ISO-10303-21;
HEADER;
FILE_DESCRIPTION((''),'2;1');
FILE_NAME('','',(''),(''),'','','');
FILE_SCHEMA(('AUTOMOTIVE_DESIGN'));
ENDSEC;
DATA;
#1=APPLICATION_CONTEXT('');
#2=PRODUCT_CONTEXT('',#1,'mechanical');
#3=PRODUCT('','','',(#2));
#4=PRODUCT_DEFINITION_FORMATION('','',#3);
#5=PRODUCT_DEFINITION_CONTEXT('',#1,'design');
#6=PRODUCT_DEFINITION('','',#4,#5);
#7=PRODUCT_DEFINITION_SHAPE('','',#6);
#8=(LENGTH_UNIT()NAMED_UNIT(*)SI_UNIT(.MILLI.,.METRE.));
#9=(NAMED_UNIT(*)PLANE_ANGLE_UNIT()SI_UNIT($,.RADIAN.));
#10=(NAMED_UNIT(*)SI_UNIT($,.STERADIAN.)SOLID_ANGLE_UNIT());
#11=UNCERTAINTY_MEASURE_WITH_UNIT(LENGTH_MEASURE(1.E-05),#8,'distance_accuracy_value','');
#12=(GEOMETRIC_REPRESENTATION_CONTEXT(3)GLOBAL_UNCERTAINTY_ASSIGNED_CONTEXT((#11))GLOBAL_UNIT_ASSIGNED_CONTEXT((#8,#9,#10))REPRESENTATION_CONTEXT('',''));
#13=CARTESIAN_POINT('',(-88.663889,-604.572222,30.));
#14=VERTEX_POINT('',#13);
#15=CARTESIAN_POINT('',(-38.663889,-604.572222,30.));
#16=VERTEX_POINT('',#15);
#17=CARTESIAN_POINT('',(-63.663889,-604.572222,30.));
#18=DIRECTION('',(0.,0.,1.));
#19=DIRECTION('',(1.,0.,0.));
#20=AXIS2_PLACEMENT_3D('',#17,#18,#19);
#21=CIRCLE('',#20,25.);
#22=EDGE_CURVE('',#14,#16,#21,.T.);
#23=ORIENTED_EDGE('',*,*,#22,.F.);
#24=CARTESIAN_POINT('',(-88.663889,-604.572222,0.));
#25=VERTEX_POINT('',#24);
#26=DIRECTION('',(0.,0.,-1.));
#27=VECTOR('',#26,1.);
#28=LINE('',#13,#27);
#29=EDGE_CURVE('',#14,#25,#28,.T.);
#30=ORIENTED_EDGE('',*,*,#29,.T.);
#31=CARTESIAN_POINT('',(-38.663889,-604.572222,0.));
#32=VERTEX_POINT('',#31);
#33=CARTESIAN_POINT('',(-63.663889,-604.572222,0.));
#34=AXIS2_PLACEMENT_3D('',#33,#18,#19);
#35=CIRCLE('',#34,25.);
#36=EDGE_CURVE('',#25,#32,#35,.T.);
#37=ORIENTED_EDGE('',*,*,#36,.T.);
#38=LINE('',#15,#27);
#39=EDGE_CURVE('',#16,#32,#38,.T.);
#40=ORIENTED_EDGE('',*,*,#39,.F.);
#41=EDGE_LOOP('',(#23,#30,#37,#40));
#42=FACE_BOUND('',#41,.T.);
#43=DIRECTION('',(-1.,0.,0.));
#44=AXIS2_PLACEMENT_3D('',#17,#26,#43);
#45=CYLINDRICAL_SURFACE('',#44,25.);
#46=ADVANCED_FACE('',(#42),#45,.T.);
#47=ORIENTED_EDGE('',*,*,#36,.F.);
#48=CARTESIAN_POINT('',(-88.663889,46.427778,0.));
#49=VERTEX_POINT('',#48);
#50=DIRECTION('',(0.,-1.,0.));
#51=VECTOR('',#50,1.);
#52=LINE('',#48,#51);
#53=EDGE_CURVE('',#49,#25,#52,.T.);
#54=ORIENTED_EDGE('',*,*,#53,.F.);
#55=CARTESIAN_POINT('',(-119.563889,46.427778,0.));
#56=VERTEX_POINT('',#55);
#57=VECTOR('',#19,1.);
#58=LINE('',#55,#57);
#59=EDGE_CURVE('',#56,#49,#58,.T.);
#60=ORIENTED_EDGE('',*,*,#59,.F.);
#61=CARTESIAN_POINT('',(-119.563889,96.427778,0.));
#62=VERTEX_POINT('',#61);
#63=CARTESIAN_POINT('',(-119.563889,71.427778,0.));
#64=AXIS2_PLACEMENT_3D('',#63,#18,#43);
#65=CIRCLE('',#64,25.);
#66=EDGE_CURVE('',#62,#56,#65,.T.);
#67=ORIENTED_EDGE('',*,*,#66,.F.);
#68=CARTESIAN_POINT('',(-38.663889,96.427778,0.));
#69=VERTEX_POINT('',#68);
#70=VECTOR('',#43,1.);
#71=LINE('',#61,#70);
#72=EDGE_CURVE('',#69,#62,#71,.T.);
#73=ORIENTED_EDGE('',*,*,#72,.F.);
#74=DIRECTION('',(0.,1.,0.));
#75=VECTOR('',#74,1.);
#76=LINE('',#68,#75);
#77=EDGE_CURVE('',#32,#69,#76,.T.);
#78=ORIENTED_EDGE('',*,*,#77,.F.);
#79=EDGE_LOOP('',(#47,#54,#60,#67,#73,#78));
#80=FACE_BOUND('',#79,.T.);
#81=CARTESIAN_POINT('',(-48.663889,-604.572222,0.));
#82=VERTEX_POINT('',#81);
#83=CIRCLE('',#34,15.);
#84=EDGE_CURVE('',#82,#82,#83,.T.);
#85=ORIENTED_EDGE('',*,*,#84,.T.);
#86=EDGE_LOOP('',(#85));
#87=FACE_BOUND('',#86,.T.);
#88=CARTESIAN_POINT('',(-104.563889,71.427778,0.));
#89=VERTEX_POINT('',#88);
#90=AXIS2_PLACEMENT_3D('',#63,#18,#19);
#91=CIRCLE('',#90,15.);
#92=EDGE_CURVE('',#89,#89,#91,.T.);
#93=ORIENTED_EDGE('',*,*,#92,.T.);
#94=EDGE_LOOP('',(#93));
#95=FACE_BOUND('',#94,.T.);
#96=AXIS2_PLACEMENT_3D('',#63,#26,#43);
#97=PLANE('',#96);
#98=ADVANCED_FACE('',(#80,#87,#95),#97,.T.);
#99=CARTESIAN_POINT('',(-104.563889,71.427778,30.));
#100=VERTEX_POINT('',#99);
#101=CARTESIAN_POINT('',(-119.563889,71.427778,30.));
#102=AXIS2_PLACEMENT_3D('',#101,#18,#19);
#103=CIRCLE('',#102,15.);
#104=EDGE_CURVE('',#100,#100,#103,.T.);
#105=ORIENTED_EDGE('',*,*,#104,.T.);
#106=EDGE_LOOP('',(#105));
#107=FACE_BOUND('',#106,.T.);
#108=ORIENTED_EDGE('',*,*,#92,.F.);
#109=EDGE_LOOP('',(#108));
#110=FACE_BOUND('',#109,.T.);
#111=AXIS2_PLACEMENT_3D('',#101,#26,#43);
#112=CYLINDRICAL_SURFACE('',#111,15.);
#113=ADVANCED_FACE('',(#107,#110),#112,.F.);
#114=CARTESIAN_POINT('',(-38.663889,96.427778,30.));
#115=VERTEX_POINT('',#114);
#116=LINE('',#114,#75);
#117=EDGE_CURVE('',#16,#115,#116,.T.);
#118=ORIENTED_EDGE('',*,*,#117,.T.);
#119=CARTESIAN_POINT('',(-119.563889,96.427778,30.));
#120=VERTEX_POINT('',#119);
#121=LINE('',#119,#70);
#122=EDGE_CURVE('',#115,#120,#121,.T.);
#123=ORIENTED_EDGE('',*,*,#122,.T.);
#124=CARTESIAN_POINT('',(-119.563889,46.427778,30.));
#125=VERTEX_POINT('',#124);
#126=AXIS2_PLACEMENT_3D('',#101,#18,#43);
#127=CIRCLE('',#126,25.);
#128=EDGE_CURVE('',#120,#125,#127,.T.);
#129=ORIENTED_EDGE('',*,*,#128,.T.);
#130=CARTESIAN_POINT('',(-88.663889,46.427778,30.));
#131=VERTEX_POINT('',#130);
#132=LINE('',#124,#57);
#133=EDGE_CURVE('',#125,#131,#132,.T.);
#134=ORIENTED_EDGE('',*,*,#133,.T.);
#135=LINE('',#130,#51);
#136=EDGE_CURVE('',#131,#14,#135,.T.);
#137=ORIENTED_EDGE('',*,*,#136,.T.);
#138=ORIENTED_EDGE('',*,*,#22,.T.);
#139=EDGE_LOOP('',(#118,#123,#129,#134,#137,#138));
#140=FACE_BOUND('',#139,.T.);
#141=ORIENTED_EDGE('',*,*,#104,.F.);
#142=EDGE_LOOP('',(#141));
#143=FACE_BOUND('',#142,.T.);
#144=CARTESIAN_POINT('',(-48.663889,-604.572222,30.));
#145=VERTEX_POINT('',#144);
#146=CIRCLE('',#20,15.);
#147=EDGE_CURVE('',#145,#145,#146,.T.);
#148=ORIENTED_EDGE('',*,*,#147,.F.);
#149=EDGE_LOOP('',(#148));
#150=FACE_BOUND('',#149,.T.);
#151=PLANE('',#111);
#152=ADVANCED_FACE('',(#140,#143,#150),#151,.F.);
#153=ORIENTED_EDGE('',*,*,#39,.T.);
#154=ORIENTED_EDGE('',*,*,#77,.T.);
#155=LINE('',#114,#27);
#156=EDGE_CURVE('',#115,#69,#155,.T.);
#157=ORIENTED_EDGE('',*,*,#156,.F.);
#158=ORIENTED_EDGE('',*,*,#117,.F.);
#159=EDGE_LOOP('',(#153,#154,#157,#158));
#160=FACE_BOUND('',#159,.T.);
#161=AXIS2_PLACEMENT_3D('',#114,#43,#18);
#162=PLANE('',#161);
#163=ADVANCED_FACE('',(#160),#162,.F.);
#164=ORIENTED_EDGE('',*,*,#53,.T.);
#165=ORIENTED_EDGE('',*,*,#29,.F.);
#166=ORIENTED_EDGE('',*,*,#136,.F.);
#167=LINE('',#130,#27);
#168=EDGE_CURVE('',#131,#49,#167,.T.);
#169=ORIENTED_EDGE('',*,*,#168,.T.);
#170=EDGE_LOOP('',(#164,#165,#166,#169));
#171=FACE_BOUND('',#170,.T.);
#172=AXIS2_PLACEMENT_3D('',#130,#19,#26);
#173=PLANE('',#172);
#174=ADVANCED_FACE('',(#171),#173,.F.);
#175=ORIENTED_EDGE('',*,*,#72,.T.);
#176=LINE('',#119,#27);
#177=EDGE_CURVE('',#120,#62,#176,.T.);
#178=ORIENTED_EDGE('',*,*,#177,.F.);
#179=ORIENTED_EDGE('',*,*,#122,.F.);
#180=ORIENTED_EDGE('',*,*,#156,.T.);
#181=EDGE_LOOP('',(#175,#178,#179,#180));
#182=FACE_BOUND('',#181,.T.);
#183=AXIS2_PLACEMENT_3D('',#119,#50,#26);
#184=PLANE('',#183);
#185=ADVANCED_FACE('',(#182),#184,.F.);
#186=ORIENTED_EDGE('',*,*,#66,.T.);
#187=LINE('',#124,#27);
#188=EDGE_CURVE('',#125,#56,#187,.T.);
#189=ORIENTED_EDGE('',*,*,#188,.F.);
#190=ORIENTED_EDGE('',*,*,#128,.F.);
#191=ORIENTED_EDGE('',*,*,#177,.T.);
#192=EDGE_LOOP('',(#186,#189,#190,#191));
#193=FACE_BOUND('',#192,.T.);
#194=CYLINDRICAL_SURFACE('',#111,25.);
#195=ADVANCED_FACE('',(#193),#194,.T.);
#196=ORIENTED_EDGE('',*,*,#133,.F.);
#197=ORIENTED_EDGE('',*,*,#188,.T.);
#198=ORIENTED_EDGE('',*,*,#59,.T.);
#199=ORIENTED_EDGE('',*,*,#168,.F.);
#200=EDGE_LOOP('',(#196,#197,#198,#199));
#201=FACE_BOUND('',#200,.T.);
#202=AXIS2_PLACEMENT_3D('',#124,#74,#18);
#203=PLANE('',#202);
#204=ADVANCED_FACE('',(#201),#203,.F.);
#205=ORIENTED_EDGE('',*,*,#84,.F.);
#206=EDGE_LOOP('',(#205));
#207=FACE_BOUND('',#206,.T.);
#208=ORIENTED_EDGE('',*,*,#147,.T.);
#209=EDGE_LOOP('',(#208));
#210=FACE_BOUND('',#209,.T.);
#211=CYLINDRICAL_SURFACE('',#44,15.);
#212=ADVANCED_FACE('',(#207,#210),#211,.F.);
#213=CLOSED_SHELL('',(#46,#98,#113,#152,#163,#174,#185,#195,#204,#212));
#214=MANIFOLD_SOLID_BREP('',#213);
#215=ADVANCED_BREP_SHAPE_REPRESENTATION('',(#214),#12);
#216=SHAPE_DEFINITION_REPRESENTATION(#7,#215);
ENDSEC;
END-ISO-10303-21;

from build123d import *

# Parameters (mm, degrees)
SKETCH1_R           = 15
BOSS_EXTRUDE1_DEPTH = 30


with BuildPart() as part:
    # Sketch1 → Boss-Extrude1 (new body)
    with BuildSketch(Plane.XY):
        with BuildLine():
            Line((-119.563888889, 46.427777778), (-88.663888889, 46.427777778))
            Line((-88.663888889, 46.427777778), (-88.663888889, -604.572222222))
            ThreePointArc((-88.663888889, -604.572222222), (-63.663888889, -629.572222222), (-38.663888889, -604.572222222))
            Line((-38.663888889, -604.572222222), (-38.663888889, 96.427777778))
            Line((-38.663888889, 96.427777778), (-119.563888889, 96.427777778))
            ThreePointArc((-119.563888889, 96.427777778), (-144.563888889, 71.427777778), (-119.563888889, 46.427777778))
        make_face()
        with Locations((-119.563888889, 71.427777778)):
            Circle(SKETCH1_R, mode=Mode.SUBTRACT)
        with Locations((-63.663888889, -604.572222222)):
            Circle(SKETCH1_R, mode=Mode.SUBTRACT)
    extrude(amount=BOSS_EXTRUDE1_DEPTH)


solid = part.part
